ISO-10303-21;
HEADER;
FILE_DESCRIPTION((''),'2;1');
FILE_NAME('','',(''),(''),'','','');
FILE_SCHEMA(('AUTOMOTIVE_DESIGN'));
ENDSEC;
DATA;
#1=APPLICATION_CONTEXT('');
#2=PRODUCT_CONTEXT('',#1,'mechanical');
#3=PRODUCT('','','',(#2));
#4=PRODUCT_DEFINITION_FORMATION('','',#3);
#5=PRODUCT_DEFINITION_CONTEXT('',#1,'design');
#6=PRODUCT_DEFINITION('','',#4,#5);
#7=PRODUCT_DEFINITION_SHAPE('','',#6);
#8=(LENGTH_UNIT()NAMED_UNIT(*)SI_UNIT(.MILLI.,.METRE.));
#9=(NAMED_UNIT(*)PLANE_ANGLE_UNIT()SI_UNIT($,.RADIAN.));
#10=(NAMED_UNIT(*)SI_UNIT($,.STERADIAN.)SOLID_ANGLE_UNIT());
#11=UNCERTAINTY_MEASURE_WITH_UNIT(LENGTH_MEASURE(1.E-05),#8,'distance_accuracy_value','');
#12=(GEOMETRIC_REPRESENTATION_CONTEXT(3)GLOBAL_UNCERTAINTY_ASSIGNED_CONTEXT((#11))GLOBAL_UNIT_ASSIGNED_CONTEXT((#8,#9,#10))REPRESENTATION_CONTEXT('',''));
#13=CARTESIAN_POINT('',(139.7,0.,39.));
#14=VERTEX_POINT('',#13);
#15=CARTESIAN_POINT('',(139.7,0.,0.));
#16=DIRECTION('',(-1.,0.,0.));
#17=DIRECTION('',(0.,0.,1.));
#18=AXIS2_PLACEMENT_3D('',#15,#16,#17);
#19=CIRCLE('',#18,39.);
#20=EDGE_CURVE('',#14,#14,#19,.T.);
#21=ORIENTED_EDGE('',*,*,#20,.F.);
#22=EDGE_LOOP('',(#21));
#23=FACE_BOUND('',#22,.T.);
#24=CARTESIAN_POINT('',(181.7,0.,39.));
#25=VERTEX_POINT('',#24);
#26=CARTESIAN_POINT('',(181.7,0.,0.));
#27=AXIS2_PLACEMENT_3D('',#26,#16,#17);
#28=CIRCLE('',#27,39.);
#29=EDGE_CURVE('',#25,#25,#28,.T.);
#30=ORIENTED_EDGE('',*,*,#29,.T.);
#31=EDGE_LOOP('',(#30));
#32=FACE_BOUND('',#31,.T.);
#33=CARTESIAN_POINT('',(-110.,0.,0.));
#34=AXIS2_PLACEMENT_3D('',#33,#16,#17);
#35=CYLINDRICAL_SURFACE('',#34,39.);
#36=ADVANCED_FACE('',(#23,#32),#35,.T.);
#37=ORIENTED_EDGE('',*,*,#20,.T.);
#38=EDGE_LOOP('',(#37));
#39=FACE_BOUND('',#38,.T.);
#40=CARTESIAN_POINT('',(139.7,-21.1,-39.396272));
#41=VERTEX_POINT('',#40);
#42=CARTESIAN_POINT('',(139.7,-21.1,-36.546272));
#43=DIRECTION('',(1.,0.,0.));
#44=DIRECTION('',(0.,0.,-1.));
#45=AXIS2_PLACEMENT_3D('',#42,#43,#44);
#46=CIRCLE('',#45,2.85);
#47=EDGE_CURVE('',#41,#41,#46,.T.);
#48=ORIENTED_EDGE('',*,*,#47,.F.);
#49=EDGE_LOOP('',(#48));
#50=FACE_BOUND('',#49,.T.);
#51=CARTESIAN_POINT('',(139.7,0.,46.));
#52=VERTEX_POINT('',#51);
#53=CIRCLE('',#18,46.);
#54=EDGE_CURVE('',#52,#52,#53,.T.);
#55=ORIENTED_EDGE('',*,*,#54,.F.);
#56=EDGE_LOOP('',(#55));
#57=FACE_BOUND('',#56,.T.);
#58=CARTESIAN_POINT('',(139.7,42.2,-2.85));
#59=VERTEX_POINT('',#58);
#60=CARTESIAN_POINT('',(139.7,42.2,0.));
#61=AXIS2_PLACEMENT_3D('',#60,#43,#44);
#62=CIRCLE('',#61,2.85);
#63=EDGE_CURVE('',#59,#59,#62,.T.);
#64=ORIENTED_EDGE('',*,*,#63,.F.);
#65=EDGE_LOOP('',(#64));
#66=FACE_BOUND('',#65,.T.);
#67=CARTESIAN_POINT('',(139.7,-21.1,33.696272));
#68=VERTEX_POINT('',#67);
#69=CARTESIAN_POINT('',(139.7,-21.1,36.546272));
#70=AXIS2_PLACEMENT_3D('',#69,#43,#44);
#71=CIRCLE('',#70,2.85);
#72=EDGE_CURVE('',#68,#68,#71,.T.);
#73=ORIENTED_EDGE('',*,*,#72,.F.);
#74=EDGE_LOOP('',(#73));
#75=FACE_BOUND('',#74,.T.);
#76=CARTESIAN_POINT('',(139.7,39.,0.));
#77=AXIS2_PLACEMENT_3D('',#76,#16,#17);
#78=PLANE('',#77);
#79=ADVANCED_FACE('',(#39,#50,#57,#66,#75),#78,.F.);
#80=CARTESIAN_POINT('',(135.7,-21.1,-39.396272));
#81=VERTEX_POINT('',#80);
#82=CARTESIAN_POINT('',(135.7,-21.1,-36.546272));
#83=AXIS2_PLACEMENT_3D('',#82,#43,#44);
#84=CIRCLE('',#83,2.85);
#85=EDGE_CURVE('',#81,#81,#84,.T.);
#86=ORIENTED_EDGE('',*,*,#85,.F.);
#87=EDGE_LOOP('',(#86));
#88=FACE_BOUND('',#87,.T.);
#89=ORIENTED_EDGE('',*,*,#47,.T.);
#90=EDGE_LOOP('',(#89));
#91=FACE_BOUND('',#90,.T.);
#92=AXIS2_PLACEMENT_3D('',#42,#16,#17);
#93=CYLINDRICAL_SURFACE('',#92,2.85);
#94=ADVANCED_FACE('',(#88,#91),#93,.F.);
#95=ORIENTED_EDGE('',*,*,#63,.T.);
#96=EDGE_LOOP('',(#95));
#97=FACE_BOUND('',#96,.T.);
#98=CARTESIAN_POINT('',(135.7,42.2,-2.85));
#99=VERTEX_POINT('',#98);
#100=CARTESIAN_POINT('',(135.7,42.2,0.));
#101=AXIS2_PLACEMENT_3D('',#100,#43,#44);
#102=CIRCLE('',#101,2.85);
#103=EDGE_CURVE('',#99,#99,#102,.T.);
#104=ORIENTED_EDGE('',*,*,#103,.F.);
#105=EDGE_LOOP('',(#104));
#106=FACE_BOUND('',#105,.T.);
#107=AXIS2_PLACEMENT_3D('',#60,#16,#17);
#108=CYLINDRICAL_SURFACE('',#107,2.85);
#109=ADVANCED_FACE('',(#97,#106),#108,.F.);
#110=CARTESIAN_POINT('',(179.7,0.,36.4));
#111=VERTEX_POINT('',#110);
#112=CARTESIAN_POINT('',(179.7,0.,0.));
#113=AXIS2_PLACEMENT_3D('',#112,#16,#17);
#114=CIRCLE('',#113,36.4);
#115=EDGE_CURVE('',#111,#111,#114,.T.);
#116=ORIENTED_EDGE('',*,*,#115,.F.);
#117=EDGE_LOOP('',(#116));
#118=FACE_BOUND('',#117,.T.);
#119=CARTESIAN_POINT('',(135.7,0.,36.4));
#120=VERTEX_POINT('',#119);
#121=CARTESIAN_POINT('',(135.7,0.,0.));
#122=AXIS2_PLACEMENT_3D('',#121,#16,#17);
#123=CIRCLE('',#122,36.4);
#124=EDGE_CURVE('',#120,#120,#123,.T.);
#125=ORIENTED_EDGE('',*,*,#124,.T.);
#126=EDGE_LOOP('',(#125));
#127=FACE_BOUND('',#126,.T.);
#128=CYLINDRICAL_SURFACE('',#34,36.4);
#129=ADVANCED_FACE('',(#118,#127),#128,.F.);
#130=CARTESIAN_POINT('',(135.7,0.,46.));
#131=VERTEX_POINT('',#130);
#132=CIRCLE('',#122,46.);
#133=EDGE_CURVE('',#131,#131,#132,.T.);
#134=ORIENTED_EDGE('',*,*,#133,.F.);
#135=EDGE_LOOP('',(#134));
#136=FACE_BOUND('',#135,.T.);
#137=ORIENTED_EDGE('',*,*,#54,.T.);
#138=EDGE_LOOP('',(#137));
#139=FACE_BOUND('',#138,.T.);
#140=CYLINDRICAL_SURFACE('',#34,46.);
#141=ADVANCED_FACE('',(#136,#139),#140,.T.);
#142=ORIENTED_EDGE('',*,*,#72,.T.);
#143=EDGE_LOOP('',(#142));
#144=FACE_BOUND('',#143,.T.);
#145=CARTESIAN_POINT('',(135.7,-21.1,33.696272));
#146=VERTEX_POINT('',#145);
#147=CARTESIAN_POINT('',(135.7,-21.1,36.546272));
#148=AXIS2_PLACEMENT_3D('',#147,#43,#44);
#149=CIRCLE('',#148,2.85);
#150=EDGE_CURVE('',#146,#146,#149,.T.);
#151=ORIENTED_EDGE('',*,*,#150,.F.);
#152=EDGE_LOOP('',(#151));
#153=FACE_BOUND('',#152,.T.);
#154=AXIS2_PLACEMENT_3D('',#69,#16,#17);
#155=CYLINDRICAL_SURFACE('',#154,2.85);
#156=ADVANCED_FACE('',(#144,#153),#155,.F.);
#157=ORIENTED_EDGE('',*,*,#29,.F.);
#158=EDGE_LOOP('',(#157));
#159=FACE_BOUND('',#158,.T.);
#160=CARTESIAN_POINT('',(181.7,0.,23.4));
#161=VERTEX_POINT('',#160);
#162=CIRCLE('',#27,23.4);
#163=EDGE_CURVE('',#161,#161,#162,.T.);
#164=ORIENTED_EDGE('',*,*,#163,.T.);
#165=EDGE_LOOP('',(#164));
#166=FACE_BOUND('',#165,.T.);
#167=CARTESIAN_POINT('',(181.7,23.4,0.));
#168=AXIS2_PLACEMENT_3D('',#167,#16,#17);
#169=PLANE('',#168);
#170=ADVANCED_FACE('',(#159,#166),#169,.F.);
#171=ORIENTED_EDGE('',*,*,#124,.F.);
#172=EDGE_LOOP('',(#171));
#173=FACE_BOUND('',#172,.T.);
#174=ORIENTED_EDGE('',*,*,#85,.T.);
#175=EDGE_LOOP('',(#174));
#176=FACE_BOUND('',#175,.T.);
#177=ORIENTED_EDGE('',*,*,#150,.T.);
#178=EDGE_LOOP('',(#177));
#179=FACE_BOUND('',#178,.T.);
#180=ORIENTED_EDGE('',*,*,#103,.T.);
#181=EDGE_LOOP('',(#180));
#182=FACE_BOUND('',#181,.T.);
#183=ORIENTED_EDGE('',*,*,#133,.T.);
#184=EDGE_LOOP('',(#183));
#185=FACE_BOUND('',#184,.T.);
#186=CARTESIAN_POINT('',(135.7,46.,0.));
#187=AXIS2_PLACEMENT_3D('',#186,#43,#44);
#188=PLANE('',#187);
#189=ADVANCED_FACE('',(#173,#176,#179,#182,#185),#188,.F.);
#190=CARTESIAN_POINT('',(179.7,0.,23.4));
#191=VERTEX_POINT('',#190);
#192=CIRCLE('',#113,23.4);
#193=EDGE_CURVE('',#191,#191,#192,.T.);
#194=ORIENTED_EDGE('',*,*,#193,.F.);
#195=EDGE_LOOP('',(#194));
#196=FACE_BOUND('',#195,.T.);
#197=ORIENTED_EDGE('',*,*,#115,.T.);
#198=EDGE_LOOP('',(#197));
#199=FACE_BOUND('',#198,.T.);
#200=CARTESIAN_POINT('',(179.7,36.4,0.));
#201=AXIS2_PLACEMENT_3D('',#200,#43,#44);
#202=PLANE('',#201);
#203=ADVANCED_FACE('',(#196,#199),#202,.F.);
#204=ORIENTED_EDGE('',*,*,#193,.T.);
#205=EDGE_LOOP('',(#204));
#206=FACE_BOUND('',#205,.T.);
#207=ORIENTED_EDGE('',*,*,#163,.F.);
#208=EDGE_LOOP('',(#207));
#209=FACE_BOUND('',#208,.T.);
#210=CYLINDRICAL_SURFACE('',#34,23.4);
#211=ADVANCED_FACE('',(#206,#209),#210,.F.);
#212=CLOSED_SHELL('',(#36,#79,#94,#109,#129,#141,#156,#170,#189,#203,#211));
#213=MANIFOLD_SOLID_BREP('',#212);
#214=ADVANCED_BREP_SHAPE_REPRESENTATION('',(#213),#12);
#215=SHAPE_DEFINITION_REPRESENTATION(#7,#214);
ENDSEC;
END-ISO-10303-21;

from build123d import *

# Parameters (mm, degrees)
AXIAL_HOLES_DEPTH      = 193.994533601
AXIAL_HOLES_DEPTH_BACK = 193.994533601
SKETCH2_R              = 1.65
CUT_EXTRUDE2_START     = 135.7
SKETCH3_R              = 2.85
CUT_EXTRUDE2_DEPTH     = 4


with BuildPart() as part:
    # Axial profile (mm) → Full revolution (revolve)
    with BuildSketch(Plane.XY, mode=Mode.PRIVATE) as full_revolution_sk:
        Polygon((135.7, 36.4), (179.7, 36.4), (179.7, 23.4), (181.7, 23.4), (181.7, 39), (139.7, 39), (139.7, 46), (135.7, 46), align=None)
    revolve(full_revolution_sk.sketch.rotate(Axis((-110, 0, 0), (1, 0, 0)), 90), axis=Axis((-110, 0, 0), (1, 0, 0)))

    # Sketch2 → Axial holes (cut, two sides: drawn at the far end of the back side and taken through both)
    with BuildSketch(Plane(origin=(0, 0, 0), x_dir=(0, 0, -1), z_dir=(1, 0, 0)).offset(-AXIAL_HOLES_DEPTH_BACK)):
        with Locations(Location((0, 42.2, 0), (0, 0, 180))):
            Circle(SKETCH2_R)
        with Locations(Location((-36.54627204, -21.1, 0), (0, 0, 180))):
            Circle(SKETCH2_R)
        with Locations(Location((36.54627204, -21.1, 0), (0, 0, 180))):
            Circle(SKETCH2_R)
    extrude(amount=AXIAL_HOLES_DEPTH + AXIAL_HOLES_DEPTH_BACK, mode=Mode.SUBTRACT)

    # Sketch3 → Cut-Extrude2 (cut)
    with BuildSketch(Plane(origin=(0, 0, 0), x_dir=(0, 0, -1), z_dir=(1, 0, 0)).offset(CUT_EXTRUDE2_START)):
        with Locations((0, 42.2)):
            Circle(SKETCH3_R)
        with Locations((-36.54627204, -21.1)):
            Circle(SKETCH3_R)
        with Locations((36.54627204, -21.1)):
            Circle(SKETCH3_R)
    extrude(amount=CUT_EXTRUDE2_DEPTH, mode=Mode.SUBTRACT)


solid = part.part
